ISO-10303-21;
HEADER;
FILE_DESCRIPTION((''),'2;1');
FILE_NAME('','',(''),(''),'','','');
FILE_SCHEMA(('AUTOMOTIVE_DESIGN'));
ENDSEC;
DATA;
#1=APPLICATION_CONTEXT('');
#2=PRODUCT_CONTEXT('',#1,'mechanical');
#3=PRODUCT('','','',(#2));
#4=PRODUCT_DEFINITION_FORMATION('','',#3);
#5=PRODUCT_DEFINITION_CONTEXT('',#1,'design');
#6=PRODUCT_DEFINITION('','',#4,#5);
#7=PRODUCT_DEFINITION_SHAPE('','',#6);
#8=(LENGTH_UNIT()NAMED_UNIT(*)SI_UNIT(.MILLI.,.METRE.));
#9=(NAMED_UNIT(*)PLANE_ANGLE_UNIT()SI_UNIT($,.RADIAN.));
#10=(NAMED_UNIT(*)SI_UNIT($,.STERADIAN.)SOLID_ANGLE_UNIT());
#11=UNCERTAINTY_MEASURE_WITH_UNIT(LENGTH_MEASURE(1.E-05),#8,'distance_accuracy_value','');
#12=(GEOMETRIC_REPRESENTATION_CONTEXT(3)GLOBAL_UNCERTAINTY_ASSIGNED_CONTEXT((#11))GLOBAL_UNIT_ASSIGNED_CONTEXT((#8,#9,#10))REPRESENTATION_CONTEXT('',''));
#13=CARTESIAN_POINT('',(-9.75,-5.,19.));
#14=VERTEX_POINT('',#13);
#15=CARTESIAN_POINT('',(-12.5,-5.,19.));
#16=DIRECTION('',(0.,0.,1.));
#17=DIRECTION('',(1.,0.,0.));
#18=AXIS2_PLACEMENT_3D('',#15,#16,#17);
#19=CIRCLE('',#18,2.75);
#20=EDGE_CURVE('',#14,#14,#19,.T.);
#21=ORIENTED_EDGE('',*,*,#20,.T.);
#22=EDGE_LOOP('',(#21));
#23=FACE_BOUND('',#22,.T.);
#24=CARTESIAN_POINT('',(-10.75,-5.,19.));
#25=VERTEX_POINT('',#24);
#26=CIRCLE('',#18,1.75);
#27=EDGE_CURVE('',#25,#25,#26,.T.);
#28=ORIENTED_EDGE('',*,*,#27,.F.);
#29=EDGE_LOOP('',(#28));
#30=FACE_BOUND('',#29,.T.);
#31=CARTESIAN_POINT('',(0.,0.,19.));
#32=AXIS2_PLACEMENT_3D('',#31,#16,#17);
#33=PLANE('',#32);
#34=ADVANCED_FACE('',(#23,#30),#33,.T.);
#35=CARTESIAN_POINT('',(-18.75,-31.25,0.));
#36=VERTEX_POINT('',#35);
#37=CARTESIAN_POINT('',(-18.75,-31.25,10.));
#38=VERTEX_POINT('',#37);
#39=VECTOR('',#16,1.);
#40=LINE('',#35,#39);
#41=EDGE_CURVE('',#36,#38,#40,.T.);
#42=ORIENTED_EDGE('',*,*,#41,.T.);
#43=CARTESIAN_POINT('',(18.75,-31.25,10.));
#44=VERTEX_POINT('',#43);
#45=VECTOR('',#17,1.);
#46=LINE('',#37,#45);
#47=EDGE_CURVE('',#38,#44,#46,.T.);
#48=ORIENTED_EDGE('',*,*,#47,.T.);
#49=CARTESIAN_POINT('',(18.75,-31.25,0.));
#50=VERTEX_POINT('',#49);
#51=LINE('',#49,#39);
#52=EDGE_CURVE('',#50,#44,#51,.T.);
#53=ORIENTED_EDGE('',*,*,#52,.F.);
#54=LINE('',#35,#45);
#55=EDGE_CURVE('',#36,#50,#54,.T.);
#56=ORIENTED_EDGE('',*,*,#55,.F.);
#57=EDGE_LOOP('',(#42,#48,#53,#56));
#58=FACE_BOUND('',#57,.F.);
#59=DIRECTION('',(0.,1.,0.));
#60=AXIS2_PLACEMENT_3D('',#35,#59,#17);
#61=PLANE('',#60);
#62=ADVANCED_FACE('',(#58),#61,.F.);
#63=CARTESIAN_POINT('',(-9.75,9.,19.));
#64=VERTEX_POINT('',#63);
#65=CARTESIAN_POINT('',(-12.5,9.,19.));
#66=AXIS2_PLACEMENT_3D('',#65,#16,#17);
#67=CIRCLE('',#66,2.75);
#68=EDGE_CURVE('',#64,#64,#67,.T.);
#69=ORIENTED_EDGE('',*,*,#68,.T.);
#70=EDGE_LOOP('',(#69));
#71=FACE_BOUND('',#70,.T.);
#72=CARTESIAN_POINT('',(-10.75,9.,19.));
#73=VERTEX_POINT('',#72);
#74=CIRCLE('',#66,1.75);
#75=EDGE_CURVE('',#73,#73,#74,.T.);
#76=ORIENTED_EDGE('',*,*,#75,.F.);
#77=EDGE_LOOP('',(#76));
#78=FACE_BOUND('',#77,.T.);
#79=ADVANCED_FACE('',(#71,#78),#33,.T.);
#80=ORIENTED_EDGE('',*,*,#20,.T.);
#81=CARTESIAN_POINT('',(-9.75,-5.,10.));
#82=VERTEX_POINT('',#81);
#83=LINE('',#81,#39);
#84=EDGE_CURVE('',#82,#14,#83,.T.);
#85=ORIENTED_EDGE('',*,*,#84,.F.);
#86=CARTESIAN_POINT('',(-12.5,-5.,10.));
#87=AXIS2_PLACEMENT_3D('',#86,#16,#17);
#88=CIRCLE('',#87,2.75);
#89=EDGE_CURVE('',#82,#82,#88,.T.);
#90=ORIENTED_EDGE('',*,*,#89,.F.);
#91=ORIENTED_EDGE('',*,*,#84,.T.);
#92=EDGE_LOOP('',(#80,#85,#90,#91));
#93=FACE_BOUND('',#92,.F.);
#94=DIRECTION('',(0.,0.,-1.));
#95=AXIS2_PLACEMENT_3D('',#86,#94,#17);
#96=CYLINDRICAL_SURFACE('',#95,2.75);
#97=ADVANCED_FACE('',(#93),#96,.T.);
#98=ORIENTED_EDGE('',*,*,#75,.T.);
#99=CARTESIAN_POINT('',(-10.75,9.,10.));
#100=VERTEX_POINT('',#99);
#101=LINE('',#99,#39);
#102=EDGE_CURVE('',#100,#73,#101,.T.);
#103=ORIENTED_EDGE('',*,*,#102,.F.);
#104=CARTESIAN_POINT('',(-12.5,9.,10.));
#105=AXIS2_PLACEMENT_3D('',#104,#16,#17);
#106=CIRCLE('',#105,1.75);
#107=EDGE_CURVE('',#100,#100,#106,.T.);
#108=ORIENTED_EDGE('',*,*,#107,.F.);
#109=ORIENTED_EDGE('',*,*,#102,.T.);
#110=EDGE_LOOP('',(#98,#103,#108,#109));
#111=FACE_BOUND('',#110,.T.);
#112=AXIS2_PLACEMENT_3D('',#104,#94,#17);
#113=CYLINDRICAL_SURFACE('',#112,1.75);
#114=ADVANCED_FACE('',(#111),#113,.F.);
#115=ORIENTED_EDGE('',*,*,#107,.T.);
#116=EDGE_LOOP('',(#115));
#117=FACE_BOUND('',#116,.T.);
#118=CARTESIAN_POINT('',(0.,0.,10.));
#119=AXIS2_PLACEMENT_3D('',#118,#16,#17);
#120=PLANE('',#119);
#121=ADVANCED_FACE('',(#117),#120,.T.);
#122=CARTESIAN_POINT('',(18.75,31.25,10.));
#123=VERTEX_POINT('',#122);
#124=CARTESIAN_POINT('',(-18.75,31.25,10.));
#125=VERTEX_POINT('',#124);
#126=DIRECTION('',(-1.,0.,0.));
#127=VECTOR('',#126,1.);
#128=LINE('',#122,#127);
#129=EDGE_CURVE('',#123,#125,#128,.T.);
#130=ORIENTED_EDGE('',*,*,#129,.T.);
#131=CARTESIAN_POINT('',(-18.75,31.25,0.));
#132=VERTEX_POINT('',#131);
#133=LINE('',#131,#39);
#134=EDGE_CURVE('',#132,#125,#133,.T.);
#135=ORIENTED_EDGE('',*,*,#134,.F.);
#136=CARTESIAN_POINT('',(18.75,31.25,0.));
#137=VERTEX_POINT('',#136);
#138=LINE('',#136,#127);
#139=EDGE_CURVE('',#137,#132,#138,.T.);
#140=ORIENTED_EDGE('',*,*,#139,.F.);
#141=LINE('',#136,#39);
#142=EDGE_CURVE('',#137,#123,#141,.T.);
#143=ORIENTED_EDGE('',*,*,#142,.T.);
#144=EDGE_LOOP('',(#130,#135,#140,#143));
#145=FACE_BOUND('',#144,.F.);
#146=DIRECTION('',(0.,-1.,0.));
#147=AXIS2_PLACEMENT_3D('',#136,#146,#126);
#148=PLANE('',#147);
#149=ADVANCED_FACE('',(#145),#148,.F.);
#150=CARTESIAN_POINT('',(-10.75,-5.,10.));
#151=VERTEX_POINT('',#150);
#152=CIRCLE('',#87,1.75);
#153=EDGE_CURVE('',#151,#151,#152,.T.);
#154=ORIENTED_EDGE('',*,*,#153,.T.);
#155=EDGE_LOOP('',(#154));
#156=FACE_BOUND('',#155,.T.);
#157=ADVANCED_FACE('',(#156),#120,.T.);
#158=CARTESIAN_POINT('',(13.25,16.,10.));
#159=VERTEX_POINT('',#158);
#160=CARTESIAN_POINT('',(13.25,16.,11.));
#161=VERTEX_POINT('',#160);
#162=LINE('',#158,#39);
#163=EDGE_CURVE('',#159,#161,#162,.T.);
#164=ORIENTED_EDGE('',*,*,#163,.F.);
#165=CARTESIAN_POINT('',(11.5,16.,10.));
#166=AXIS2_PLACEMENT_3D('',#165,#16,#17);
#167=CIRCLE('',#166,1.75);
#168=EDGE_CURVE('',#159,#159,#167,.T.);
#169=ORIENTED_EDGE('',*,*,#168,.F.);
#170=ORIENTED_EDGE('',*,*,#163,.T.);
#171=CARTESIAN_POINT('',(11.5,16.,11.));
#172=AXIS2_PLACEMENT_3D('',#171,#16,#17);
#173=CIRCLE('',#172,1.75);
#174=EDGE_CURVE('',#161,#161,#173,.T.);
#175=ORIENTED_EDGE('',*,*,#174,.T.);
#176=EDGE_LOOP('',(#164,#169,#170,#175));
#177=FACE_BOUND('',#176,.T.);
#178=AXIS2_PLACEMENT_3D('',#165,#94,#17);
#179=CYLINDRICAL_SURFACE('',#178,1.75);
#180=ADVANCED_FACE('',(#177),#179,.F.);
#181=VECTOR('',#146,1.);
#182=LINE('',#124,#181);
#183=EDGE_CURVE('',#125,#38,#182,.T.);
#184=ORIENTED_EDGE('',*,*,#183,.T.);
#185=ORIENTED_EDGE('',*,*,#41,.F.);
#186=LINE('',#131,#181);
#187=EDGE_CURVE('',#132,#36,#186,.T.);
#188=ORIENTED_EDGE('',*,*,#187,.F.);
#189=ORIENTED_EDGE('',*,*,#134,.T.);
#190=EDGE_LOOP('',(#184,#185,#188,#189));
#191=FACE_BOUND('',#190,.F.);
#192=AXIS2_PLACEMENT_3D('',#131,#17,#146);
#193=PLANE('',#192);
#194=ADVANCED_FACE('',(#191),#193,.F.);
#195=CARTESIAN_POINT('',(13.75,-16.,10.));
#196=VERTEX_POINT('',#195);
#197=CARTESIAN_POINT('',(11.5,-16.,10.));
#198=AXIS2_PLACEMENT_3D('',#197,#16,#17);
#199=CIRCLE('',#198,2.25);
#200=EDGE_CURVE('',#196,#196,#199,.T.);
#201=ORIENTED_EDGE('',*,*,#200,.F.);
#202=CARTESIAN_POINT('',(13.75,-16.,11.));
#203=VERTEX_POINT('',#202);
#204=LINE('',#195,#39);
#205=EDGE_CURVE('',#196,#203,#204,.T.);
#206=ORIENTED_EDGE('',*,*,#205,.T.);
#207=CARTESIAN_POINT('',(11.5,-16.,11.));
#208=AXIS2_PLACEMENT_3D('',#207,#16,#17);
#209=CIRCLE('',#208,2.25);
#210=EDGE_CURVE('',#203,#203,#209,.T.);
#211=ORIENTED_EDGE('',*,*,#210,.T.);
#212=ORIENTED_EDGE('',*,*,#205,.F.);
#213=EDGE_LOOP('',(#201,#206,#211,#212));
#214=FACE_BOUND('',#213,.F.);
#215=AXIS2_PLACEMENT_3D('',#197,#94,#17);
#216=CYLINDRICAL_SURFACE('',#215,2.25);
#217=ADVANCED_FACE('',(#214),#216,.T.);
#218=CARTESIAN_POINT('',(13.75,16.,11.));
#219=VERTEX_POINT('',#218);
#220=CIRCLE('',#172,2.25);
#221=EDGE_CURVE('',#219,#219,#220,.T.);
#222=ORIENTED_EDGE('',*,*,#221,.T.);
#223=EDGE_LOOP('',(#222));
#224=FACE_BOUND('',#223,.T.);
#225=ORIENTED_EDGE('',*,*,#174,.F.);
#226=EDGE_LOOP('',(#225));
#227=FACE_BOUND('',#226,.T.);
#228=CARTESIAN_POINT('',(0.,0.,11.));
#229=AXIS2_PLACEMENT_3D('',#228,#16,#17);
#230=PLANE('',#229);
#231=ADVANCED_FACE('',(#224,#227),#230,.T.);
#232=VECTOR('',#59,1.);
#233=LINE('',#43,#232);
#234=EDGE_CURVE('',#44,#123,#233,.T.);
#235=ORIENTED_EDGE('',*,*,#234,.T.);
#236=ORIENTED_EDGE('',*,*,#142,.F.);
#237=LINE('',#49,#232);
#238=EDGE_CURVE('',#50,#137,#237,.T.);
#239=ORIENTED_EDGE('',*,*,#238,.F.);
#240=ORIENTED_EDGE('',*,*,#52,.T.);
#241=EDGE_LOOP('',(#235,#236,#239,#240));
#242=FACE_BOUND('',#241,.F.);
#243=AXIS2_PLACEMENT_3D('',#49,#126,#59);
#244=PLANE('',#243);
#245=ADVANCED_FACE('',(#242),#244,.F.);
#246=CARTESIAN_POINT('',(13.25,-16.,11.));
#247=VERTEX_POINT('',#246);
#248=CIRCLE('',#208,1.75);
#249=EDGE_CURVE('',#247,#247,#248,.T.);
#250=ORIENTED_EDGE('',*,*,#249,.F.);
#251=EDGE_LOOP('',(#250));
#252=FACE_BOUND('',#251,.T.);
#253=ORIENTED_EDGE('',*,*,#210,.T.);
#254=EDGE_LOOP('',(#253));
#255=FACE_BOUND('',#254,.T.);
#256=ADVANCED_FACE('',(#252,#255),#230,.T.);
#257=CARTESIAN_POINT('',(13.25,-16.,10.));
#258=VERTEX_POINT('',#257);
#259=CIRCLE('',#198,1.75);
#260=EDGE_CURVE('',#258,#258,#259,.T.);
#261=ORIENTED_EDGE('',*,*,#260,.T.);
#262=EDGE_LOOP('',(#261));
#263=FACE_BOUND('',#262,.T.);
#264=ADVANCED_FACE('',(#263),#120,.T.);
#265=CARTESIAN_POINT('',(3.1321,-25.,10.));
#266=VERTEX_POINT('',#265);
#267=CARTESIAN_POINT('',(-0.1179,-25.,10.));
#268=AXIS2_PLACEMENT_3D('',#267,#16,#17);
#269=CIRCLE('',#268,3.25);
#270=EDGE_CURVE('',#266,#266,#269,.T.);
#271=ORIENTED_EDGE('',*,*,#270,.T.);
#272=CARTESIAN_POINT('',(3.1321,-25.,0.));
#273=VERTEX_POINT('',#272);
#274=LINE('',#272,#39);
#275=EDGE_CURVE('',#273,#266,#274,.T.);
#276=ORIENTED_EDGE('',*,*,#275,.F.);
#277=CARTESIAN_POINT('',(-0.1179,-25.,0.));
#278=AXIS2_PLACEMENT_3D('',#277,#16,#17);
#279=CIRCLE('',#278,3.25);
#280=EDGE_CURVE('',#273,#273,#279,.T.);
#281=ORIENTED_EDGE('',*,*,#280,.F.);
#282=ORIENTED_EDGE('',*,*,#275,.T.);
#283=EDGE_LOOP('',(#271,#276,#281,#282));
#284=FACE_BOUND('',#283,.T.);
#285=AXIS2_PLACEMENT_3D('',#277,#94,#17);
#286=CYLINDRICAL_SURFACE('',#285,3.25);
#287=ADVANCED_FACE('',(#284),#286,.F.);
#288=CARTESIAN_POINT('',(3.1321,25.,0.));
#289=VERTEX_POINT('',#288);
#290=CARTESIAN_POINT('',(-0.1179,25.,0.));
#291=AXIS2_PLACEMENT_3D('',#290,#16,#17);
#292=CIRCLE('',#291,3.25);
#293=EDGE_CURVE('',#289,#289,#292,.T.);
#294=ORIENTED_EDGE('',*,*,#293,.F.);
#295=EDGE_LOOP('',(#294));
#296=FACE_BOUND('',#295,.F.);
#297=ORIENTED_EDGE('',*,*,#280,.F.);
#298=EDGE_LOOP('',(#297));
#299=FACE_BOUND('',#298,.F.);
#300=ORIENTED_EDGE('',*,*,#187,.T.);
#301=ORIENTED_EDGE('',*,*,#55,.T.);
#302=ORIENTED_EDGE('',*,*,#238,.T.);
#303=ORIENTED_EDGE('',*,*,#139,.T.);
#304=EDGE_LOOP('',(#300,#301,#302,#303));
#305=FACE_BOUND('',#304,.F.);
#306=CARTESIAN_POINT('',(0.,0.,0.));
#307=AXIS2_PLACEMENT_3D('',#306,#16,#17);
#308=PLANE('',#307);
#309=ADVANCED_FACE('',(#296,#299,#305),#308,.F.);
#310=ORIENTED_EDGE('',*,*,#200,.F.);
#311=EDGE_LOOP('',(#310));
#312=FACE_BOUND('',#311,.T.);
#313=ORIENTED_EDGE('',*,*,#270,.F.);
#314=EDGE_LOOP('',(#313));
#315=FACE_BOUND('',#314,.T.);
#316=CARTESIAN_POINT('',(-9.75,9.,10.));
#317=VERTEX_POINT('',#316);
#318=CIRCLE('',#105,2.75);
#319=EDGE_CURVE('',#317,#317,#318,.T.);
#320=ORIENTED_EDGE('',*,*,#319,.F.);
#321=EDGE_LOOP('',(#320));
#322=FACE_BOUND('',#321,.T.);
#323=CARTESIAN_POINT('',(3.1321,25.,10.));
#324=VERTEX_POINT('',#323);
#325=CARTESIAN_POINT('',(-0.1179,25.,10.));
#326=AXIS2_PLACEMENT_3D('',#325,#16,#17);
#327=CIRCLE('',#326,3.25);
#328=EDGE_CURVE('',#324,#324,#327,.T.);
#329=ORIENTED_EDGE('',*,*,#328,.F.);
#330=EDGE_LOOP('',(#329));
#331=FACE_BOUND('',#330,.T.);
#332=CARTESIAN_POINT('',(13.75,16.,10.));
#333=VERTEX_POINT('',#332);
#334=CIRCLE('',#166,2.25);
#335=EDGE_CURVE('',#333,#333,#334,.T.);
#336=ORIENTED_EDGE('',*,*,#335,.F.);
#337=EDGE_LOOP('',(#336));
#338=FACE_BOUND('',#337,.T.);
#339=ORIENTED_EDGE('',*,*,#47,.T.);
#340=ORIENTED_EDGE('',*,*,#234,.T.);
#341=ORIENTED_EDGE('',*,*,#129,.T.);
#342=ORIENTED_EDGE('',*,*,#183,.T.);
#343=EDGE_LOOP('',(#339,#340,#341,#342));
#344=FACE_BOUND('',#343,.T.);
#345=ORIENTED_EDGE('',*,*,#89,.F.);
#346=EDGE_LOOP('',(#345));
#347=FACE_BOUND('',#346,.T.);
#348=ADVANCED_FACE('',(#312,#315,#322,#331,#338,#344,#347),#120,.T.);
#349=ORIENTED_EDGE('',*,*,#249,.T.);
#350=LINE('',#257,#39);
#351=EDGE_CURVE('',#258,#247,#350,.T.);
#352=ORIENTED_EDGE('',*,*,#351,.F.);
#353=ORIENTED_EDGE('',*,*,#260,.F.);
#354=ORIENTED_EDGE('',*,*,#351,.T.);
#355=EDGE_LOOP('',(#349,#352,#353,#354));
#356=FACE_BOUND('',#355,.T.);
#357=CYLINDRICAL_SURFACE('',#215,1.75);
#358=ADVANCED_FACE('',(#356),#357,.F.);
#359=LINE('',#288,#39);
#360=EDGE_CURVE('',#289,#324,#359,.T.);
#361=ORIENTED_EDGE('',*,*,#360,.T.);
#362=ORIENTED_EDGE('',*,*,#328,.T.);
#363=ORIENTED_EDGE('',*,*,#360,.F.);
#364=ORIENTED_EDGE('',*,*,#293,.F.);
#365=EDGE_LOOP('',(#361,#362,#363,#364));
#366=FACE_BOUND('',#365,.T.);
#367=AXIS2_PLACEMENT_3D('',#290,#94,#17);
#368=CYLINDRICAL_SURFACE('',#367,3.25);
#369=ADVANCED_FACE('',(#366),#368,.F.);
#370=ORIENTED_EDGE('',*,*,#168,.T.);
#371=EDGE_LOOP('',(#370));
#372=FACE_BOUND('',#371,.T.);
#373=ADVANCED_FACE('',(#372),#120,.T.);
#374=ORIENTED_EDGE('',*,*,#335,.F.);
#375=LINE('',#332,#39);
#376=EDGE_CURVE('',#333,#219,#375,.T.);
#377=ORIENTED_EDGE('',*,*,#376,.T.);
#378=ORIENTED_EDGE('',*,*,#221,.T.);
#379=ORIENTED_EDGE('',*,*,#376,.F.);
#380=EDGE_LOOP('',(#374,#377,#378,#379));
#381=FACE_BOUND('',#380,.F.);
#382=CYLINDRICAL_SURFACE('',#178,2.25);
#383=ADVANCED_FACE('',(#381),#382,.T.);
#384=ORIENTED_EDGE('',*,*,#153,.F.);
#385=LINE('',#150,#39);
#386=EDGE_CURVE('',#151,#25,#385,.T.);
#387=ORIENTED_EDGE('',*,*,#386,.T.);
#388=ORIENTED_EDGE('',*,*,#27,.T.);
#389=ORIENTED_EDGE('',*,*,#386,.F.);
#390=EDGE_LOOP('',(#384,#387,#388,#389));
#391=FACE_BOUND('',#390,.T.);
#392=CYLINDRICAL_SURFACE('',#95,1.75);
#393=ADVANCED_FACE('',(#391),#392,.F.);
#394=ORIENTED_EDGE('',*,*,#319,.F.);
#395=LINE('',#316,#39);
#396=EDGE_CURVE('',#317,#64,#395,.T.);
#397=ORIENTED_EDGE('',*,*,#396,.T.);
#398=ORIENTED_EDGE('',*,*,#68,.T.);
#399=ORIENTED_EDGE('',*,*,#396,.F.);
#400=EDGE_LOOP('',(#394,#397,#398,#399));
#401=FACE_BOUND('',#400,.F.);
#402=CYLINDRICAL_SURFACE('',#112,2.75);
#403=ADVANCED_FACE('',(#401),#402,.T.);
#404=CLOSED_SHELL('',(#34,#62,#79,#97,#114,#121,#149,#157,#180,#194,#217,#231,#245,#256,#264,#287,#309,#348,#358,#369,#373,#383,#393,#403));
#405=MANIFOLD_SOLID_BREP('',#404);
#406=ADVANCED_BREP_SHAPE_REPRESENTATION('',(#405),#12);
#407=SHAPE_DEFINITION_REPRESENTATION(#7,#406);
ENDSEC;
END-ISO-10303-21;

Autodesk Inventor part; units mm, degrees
ref_plane "YZ Plane" through (0, 0, 0) normal (1, 0, 0) x (0, 1, 0)
ref_plane "XZ Plane" through (0, 0, 0) normal (0, 1, 0) x (-1, 0, 0)
ref_plane "XY Plane" through (0, 0, 0) normal (0, 0, 1) x (1, 0, 0)
sketch "Sketch2" plane through (0, 0, 0) normal (0, 0, 1) x (1, 0, 0)
  line L0 (18.75, -31.25) -> (18.75, 31.25)
  line L1 (18.75, 31.25) -> (-18.75, 31.25)
  line L2 (-18.75, 31.25) -> (-18.75, -31.25)
  line L3 (-18.75, -31.25) -> (18.75, -31.25)
  circle A0 centre (-0.1179, 25) radius 3.25 projected
  circle A1 centre (-0.1179, -25) radius 3.25 projected
  point P0 (0, 0)
extrude "Extrusion1" add sketch "Sketch2" along normal blind 10
sketch "Sketch4" plane through (0, 0, 10) normal (0, 0, 1) x (1, 0, 0)
  circle A0 centre (11.5, 16) radius 2.25
  circle A1 centre (-12.5, 9) radius 2.75
  circle A2 centre (-12.5, -5) radius 2.75
  circle A3 centre (11.5, -16) radius 2.25
  circle A4 centre (11.5, 16) radius 1.75
  circle A5 centre (11.5, -16) radius 1.75
  circle A6 centre (-12.5, -5) radius 1.75
  circle A7 centre (-12.5, 9) radius 1.75
  point P0 (0, 0)
  dimension "d6" = 3.5
  dimension "d7" = 3.5
  dimension "d8" = 3.5
  dimension "d9" = 3.5
  dimension "d10" = 4.5
  dimension "d11" = 4.5
  dimension "d12" = 5.5
  dimension "d13" = 5.5
extrude "Extrusion2" add sketch "Sketch4" along normal blind 1 contours A0 | A3
extrude "Extrusion3" add sketch "Sketch4" along normal blind 9 contours A1 | A2
thread "Thread1" size "M3.5x0.6" class "6H" standard "ANSI Metric M Profile" full length
thread "Thread2" size "M3.5x0.6" class "6H" standard "ANSI Metric M Profile" full length
thread "Thread3" size "M3.5x0.6" class "6H" standard "ANSI Metric M Profile" full length
thread "Thread4" size "M3.5x0.6" class "6H" standard "ANSI Metric M Profile" full length
properties part number "phm_top"
